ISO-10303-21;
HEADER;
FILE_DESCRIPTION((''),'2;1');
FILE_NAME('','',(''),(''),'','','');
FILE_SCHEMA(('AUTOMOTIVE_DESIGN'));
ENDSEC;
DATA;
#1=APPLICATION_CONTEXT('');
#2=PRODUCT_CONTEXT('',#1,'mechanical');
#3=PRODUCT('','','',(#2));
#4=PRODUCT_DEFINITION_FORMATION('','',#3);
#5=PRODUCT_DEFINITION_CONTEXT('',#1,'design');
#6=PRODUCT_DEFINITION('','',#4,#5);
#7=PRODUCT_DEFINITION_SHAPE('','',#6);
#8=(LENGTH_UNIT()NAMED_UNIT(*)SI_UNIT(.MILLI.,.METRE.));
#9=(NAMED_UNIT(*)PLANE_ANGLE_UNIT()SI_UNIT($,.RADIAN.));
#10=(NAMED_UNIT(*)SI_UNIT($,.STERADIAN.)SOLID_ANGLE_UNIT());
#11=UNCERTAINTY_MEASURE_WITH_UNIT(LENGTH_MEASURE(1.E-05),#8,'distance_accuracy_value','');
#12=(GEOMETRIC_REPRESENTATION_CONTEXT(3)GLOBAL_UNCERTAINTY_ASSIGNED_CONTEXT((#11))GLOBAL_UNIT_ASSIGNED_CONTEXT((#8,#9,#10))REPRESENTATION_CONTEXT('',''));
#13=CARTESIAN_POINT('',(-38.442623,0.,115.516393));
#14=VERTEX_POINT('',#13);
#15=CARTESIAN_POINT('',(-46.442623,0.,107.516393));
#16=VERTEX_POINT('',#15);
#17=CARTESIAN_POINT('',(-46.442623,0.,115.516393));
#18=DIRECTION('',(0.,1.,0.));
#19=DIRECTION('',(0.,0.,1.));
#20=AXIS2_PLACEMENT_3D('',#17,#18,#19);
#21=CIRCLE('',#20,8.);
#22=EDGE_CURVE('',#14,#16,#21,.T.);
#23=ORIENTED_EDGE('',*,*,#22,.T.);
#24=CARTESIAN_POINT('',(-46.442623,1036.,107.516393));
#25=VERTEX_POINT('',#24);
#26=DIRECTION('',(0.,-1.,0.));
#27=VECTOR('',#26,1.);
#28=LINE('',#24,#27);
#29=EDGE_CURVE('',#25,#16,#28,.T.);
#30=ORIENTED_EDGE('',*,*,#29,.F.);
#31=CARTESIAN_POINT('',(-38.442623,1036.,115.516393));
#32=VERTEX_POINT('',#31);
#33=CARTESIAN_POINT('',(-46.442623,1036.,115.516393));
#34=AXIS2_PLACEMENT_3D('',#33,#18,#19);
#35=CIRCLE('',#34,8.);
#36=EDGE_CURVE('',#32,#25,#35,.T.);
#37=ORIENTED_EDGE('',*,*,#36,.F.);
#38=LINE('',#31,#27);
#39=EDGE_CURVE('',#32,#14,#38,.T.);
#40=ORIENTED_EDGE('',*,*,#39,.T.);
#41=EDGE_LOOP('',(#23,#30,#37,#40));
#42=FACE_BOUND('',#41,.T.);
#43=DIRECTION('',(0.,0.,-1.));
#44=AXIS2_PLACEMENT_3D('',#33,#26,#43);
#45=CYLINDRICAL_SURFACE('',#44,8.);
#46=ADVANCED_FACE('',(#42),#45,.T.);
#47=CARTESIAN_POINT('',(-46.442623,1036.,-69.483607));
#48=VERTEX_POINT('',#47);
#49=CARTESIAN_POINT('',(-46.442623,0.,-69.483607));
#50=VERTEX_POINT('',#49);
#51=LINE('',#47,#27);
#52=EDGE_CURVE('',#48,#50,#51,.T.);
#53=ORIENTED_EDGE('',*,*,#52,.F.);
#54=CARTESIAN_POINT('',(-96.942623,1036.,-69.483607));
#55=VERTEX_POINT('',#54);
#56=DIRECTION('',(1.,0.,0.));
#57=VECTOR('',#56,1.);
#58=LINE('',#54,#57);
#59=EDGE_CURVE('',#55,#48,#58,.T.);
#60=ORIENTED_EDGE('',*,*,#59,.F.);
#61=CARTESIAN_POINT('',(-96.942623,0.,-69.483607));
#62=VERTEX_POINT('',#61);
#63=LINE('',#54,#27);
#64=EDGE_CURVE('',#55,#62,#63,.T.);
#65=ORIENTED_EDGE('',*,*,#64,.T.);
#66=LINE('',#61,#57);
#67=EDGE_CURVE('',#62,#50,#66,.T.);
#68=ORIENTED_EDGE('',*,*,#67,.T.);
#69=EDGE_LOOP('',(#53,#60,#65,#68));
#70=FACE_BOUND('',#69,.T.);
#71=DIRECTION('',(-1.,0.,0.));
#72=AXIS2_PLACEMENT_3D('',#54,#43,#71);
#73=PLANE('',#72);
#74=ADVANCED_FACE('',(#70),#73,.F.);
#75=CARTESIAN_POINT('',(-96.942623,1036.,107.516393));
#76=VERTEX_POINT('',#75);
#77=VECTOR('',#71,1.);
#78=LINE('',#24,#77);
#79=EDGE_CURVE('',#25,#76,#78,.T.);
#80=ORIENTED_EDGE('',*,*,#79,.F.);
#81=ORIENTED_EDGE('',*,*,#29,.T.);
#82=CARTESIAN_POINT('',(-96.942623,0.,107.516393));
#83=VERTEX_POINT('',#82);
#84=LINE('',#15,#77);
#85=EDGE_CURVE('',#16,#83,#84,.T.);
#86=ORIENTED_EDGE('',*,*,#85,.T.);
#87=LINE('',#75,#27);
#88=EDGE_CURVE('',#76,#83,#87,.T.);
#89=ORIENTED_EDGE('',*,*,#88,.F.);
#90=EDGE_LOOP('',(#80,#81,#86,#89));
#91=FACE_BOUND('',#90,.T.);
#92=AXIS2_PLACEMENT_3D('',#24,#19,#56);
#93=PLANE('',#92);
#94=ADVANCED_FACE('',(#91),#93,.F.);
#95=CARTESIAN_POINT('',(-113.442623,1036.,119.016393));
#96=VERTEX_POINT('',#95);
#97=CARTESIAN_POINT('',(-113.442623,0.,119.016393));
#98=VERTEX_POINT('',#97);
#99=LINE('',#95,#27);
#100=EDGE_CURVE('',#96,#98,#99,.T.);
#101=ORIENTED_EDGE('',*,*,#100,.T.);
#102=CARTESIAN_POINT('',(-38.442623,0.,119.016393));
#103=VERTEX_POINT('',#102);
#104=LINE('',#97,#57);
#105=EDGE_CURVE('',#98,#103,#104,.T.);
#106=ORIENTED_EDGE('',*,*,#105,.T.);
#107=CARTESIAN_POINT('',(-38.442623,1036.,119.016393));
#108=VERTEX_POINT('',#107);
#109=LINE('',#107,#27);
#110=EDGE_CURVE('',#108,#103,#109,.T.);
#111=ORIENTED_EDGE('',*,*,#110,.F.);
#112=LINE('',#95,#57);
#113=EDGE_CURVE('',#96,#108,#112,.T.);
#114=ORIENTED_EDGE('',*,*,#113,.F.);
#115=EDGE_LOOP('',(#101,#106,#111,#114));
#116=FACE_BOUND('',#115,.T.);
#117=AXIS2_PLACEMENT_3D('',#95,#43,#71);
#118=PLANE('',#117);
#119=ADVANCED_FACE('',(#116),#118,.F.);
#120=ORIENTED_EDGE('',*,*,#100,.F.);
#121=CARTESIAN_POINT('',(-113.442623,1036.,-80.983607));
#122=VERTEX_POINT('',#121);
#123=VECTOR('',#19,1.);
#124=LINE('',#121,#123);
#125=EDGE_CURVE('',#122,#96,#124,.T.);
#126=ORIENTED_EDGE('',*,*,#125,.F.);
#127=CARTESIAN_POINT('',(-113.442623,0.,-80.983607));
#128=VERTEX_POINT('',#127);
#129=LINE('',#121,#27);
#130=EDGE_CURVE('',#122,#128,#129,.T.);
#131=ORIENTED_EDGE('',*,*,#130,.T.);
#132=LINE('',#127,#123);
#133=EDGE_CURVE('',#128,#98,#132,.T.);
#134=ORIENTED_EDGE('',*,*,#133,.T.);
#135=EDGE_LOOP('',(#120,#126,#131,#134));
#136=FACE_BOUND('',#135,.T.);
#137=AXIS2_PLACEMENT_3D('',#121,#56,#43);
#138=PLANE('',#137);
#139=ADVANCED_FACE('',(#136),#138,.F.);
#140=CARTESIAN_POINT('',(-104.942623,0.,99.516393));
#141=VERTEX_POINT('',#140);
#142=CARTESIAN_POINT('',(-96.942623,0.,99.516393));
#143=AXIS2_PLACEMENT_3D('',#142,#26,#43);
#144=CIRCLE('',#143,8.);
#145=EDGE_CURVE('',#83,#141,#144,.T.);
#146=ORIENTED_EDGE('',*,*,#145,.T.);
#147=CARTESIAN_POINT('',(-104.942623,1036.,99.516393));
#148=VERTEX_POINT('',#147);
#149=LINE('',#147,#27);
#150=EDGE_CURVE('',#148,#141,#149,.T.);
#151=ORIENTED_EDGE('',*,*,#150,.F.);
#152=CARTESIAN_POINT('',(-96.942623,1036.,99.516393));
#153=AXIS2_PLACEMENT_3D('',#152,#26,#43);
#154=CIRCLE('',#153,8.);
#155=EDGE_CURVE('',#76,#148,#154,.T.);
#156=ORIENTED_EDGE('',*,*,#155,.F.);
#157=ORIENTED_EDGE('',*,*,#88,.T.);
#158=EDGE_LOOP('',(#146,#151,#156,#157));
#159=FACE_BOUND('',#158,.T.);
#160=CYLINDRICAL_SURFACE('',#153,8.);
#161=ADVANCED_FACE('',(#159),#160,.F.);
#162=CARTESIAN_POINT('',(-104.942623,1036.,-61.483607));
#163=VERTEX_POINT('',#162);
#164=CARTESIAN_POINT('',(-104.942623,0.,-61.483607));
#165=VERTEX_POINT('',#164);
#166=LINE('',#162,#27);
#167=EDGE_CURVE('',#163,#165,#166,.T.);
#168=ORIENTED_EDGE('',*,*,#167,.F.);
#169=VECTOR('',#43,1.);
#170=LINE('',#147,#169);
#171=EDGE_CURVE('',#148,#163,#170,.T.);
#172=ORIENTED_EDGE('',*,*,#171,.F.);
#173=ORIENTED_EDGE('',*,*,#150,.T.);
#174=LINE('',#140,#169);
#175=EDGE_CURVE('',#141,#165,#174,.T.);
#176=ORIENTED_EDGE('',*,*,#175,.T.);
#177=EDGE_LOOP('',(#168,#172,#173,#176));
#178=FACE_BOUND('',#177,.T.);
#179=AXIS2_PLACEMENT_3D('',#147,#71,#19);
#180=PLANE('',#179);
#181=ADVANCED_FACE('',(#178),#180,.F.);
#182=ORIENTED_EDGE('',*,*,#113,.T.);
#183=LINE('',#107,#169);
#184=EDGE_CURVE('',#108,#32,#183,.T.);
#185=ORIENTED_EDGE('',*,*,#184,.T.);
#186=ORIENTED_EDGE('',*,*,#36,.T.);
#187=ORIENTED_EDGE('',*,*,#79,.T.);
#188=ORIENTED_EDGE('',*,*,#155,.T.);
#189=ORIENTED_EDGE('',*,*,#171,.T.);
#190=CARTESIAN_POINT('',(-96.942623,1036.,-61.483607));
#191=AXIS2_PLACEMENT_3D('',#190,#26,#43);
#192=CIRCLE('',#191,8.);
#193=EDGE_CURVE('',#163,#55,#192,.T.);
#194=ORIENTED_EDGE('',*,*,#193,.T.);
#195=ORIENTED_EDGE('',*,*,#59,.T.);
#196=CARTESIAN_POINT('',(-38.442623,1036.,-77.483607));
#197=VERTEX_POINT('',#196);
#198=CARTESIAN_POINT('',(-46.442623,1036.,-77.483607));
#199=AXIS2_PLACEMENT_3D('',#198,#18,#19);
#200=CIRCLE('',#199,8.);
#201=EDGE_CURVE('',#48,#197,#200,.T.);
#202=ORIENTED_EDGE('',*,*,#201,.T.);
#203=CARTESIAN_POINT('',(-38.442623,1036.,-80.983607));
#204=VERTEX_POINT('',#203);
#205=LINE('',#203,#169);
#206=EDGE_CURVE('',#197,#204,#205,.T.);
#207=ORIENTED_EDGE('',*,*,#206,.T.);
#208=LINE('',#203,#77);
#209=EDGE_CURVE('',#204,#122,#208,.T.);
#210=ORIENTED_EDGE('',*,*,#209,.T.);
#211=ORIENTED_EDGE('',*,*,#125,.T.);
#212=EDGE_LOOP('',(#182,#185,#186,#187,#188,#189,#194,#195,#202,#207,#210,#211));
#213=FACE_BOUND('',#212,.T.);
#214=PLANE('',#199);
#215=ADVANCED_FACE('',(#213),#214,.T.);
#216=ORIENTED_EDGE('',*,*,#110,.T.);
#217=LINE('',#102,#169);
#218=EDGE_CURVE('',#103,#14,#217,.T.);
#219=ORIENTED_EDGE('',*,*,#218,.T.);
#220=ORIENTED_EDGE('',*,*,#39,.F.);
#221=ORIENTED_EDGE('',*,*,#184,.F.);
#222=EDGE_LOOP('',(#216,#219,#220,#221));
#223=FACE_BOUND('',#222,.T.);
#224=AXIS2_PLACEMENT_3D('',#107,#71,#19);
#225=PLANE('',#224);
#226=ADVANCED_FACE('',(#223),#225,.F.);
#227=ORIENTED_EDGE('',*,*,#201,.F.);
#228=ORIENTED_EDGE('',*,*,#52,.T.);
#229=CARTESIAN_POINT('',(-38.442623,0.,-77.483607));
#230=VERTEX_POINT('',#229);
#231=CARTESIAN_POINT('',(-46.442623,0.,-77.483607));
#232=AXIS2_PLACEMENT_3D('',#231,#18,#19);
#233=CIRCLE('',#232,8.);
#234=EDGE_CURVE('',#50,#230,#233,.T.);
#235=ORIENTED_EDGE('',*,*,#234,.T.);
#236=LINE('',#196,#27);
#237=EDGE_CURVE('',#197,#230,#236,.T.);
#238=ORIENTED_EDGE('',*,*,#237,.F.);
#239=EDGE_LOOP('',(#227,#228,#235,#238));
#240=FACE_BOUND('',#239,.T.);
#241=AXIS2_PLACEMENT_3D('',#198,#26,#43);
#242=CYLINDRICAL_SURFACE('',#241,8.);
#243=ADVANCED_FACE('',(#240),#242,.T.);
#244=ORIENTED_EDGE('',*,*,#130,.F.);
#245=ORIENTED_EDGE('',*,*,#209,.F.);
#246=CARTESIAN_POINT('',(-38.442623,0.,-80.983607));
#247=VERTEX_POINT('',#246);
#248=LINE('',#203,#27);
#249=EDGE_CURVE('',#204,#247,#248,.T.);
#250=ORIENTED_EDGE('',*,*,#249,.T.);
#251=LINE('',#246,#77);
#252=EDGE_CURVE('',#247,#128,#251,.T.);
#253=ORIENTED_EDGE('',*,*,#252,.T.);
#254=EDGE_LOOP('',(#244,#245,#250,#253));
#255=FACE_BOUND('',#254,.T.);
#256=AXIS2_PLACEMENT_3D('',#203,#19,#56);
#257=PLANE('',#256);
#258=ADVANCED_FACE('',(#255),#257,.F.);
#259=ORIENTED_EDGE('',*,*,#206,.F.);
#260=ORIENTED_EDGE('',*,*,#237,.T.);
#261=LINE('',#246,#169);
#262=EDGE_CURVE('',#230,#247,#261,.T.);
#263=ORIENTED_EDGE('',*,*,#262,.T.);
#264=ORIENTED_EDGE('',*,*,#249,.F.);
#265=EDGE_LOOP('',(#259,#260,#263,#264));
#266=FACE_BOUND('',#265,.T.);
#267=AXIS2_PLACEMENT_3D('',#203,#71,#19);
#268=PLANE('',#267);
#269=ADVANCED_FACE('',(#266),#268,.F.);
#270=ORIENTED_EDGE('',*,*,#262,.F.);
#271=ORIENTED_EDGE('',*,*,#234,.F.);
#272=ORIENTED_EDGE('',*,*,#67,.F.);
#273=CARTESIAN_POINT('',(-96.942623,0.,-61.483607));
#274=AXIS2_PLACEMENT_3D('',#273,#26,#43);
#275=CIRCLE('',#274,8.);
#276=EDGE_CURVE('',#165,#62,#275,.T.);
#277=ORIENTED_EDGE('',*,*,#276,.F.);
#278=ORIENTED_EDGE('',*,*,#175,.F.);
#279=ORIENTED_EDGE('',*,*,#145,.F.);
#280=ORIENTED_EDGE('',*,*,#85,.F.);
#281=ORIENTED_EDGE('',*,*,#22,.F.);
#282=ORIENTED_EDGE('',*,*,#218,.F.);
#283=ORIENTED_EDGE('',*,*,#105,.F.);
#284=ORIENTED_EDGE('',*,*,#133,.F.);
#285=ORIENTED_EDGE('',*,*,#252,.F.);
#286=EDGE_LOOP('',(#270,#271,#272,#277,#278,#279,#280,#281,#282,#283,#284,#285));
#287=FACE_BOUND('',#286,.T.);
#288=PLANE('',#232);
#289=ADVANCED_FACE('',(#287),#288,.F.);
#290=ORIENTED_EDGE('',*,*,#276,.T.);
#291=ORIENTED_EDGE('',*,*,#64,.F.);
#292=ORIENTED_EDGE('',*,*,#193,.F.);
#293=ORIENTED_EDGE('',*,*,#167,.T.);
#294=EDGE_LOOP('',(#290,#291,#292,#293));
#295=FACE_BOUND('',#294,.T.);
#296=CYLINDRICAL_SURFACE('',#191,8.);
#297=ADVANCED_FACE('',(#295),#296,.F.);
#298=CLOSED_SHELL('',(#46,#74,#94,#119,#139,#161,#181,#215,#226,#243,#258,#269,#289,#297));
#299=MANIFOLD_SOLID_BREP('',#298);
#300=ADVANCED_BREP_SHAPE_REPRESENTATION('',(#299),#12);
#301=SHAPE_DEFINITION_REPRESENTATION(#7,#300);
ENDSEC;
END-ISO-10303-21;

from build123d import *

# Parameters (mm, degrees)
BOSS_EXTRUDE1_DEPTH = 1036


with BuildPart() as part:
    # Sketch1 → Boss-Extrude1 (new body)
    with BuildSketch(Plane(origin=(0, 0, 0), x_dir=(1, 0, 0), z_dir=(0, 1, 0))):
        with BuildLine():
            Line((-38.442622951, 80.983606557), (-113.442622951, 80.983606557))
            Line((-113.442622951, 80.983606557), (-113.442622951, -119.016393443))
            Line((-113.442622951, -119.016393443), (-38.442622951, -119.016393443))
            Line((-38.442622951, -119.016393443), (-38.442622951, -115.516393443))
            ThreePointArc((-38.442622951, -115.516393443), (-40.785768701, -109.859539193), (-46.442622951, -107.516393443))
            Line((-46.442622951, -107.516393443), (-96.942622951, -107.516393443))
            ThreePointArc((-96.942622951, -107.516393443), (-102.5994772, -105.173247692), (-104.942622951, -99.516393443))
            Line((-104.942622951, -99.516393443), (-104.942622951, 61.483606557))
            ThreePointArc((-104.942622951, 61.483606557), (-102.5994772, 67.140460807), (-96.942622951, 69.483606557))
            Line((-96.942622951, 69.483606557), (-46.442622951, 69.483606557))
            ThreePointArc((-46.442622951, 69.483606557), (-40.785768701, 71.826752308), (-38.442622951, 77.483606557))
            Line((-38.442622951, 77.483606557), (-38.442622951, 80.983606557))
        make_face()
    extrude(amount=BOSS_EXTRUDE1_DEPTH)


solid = part.part
